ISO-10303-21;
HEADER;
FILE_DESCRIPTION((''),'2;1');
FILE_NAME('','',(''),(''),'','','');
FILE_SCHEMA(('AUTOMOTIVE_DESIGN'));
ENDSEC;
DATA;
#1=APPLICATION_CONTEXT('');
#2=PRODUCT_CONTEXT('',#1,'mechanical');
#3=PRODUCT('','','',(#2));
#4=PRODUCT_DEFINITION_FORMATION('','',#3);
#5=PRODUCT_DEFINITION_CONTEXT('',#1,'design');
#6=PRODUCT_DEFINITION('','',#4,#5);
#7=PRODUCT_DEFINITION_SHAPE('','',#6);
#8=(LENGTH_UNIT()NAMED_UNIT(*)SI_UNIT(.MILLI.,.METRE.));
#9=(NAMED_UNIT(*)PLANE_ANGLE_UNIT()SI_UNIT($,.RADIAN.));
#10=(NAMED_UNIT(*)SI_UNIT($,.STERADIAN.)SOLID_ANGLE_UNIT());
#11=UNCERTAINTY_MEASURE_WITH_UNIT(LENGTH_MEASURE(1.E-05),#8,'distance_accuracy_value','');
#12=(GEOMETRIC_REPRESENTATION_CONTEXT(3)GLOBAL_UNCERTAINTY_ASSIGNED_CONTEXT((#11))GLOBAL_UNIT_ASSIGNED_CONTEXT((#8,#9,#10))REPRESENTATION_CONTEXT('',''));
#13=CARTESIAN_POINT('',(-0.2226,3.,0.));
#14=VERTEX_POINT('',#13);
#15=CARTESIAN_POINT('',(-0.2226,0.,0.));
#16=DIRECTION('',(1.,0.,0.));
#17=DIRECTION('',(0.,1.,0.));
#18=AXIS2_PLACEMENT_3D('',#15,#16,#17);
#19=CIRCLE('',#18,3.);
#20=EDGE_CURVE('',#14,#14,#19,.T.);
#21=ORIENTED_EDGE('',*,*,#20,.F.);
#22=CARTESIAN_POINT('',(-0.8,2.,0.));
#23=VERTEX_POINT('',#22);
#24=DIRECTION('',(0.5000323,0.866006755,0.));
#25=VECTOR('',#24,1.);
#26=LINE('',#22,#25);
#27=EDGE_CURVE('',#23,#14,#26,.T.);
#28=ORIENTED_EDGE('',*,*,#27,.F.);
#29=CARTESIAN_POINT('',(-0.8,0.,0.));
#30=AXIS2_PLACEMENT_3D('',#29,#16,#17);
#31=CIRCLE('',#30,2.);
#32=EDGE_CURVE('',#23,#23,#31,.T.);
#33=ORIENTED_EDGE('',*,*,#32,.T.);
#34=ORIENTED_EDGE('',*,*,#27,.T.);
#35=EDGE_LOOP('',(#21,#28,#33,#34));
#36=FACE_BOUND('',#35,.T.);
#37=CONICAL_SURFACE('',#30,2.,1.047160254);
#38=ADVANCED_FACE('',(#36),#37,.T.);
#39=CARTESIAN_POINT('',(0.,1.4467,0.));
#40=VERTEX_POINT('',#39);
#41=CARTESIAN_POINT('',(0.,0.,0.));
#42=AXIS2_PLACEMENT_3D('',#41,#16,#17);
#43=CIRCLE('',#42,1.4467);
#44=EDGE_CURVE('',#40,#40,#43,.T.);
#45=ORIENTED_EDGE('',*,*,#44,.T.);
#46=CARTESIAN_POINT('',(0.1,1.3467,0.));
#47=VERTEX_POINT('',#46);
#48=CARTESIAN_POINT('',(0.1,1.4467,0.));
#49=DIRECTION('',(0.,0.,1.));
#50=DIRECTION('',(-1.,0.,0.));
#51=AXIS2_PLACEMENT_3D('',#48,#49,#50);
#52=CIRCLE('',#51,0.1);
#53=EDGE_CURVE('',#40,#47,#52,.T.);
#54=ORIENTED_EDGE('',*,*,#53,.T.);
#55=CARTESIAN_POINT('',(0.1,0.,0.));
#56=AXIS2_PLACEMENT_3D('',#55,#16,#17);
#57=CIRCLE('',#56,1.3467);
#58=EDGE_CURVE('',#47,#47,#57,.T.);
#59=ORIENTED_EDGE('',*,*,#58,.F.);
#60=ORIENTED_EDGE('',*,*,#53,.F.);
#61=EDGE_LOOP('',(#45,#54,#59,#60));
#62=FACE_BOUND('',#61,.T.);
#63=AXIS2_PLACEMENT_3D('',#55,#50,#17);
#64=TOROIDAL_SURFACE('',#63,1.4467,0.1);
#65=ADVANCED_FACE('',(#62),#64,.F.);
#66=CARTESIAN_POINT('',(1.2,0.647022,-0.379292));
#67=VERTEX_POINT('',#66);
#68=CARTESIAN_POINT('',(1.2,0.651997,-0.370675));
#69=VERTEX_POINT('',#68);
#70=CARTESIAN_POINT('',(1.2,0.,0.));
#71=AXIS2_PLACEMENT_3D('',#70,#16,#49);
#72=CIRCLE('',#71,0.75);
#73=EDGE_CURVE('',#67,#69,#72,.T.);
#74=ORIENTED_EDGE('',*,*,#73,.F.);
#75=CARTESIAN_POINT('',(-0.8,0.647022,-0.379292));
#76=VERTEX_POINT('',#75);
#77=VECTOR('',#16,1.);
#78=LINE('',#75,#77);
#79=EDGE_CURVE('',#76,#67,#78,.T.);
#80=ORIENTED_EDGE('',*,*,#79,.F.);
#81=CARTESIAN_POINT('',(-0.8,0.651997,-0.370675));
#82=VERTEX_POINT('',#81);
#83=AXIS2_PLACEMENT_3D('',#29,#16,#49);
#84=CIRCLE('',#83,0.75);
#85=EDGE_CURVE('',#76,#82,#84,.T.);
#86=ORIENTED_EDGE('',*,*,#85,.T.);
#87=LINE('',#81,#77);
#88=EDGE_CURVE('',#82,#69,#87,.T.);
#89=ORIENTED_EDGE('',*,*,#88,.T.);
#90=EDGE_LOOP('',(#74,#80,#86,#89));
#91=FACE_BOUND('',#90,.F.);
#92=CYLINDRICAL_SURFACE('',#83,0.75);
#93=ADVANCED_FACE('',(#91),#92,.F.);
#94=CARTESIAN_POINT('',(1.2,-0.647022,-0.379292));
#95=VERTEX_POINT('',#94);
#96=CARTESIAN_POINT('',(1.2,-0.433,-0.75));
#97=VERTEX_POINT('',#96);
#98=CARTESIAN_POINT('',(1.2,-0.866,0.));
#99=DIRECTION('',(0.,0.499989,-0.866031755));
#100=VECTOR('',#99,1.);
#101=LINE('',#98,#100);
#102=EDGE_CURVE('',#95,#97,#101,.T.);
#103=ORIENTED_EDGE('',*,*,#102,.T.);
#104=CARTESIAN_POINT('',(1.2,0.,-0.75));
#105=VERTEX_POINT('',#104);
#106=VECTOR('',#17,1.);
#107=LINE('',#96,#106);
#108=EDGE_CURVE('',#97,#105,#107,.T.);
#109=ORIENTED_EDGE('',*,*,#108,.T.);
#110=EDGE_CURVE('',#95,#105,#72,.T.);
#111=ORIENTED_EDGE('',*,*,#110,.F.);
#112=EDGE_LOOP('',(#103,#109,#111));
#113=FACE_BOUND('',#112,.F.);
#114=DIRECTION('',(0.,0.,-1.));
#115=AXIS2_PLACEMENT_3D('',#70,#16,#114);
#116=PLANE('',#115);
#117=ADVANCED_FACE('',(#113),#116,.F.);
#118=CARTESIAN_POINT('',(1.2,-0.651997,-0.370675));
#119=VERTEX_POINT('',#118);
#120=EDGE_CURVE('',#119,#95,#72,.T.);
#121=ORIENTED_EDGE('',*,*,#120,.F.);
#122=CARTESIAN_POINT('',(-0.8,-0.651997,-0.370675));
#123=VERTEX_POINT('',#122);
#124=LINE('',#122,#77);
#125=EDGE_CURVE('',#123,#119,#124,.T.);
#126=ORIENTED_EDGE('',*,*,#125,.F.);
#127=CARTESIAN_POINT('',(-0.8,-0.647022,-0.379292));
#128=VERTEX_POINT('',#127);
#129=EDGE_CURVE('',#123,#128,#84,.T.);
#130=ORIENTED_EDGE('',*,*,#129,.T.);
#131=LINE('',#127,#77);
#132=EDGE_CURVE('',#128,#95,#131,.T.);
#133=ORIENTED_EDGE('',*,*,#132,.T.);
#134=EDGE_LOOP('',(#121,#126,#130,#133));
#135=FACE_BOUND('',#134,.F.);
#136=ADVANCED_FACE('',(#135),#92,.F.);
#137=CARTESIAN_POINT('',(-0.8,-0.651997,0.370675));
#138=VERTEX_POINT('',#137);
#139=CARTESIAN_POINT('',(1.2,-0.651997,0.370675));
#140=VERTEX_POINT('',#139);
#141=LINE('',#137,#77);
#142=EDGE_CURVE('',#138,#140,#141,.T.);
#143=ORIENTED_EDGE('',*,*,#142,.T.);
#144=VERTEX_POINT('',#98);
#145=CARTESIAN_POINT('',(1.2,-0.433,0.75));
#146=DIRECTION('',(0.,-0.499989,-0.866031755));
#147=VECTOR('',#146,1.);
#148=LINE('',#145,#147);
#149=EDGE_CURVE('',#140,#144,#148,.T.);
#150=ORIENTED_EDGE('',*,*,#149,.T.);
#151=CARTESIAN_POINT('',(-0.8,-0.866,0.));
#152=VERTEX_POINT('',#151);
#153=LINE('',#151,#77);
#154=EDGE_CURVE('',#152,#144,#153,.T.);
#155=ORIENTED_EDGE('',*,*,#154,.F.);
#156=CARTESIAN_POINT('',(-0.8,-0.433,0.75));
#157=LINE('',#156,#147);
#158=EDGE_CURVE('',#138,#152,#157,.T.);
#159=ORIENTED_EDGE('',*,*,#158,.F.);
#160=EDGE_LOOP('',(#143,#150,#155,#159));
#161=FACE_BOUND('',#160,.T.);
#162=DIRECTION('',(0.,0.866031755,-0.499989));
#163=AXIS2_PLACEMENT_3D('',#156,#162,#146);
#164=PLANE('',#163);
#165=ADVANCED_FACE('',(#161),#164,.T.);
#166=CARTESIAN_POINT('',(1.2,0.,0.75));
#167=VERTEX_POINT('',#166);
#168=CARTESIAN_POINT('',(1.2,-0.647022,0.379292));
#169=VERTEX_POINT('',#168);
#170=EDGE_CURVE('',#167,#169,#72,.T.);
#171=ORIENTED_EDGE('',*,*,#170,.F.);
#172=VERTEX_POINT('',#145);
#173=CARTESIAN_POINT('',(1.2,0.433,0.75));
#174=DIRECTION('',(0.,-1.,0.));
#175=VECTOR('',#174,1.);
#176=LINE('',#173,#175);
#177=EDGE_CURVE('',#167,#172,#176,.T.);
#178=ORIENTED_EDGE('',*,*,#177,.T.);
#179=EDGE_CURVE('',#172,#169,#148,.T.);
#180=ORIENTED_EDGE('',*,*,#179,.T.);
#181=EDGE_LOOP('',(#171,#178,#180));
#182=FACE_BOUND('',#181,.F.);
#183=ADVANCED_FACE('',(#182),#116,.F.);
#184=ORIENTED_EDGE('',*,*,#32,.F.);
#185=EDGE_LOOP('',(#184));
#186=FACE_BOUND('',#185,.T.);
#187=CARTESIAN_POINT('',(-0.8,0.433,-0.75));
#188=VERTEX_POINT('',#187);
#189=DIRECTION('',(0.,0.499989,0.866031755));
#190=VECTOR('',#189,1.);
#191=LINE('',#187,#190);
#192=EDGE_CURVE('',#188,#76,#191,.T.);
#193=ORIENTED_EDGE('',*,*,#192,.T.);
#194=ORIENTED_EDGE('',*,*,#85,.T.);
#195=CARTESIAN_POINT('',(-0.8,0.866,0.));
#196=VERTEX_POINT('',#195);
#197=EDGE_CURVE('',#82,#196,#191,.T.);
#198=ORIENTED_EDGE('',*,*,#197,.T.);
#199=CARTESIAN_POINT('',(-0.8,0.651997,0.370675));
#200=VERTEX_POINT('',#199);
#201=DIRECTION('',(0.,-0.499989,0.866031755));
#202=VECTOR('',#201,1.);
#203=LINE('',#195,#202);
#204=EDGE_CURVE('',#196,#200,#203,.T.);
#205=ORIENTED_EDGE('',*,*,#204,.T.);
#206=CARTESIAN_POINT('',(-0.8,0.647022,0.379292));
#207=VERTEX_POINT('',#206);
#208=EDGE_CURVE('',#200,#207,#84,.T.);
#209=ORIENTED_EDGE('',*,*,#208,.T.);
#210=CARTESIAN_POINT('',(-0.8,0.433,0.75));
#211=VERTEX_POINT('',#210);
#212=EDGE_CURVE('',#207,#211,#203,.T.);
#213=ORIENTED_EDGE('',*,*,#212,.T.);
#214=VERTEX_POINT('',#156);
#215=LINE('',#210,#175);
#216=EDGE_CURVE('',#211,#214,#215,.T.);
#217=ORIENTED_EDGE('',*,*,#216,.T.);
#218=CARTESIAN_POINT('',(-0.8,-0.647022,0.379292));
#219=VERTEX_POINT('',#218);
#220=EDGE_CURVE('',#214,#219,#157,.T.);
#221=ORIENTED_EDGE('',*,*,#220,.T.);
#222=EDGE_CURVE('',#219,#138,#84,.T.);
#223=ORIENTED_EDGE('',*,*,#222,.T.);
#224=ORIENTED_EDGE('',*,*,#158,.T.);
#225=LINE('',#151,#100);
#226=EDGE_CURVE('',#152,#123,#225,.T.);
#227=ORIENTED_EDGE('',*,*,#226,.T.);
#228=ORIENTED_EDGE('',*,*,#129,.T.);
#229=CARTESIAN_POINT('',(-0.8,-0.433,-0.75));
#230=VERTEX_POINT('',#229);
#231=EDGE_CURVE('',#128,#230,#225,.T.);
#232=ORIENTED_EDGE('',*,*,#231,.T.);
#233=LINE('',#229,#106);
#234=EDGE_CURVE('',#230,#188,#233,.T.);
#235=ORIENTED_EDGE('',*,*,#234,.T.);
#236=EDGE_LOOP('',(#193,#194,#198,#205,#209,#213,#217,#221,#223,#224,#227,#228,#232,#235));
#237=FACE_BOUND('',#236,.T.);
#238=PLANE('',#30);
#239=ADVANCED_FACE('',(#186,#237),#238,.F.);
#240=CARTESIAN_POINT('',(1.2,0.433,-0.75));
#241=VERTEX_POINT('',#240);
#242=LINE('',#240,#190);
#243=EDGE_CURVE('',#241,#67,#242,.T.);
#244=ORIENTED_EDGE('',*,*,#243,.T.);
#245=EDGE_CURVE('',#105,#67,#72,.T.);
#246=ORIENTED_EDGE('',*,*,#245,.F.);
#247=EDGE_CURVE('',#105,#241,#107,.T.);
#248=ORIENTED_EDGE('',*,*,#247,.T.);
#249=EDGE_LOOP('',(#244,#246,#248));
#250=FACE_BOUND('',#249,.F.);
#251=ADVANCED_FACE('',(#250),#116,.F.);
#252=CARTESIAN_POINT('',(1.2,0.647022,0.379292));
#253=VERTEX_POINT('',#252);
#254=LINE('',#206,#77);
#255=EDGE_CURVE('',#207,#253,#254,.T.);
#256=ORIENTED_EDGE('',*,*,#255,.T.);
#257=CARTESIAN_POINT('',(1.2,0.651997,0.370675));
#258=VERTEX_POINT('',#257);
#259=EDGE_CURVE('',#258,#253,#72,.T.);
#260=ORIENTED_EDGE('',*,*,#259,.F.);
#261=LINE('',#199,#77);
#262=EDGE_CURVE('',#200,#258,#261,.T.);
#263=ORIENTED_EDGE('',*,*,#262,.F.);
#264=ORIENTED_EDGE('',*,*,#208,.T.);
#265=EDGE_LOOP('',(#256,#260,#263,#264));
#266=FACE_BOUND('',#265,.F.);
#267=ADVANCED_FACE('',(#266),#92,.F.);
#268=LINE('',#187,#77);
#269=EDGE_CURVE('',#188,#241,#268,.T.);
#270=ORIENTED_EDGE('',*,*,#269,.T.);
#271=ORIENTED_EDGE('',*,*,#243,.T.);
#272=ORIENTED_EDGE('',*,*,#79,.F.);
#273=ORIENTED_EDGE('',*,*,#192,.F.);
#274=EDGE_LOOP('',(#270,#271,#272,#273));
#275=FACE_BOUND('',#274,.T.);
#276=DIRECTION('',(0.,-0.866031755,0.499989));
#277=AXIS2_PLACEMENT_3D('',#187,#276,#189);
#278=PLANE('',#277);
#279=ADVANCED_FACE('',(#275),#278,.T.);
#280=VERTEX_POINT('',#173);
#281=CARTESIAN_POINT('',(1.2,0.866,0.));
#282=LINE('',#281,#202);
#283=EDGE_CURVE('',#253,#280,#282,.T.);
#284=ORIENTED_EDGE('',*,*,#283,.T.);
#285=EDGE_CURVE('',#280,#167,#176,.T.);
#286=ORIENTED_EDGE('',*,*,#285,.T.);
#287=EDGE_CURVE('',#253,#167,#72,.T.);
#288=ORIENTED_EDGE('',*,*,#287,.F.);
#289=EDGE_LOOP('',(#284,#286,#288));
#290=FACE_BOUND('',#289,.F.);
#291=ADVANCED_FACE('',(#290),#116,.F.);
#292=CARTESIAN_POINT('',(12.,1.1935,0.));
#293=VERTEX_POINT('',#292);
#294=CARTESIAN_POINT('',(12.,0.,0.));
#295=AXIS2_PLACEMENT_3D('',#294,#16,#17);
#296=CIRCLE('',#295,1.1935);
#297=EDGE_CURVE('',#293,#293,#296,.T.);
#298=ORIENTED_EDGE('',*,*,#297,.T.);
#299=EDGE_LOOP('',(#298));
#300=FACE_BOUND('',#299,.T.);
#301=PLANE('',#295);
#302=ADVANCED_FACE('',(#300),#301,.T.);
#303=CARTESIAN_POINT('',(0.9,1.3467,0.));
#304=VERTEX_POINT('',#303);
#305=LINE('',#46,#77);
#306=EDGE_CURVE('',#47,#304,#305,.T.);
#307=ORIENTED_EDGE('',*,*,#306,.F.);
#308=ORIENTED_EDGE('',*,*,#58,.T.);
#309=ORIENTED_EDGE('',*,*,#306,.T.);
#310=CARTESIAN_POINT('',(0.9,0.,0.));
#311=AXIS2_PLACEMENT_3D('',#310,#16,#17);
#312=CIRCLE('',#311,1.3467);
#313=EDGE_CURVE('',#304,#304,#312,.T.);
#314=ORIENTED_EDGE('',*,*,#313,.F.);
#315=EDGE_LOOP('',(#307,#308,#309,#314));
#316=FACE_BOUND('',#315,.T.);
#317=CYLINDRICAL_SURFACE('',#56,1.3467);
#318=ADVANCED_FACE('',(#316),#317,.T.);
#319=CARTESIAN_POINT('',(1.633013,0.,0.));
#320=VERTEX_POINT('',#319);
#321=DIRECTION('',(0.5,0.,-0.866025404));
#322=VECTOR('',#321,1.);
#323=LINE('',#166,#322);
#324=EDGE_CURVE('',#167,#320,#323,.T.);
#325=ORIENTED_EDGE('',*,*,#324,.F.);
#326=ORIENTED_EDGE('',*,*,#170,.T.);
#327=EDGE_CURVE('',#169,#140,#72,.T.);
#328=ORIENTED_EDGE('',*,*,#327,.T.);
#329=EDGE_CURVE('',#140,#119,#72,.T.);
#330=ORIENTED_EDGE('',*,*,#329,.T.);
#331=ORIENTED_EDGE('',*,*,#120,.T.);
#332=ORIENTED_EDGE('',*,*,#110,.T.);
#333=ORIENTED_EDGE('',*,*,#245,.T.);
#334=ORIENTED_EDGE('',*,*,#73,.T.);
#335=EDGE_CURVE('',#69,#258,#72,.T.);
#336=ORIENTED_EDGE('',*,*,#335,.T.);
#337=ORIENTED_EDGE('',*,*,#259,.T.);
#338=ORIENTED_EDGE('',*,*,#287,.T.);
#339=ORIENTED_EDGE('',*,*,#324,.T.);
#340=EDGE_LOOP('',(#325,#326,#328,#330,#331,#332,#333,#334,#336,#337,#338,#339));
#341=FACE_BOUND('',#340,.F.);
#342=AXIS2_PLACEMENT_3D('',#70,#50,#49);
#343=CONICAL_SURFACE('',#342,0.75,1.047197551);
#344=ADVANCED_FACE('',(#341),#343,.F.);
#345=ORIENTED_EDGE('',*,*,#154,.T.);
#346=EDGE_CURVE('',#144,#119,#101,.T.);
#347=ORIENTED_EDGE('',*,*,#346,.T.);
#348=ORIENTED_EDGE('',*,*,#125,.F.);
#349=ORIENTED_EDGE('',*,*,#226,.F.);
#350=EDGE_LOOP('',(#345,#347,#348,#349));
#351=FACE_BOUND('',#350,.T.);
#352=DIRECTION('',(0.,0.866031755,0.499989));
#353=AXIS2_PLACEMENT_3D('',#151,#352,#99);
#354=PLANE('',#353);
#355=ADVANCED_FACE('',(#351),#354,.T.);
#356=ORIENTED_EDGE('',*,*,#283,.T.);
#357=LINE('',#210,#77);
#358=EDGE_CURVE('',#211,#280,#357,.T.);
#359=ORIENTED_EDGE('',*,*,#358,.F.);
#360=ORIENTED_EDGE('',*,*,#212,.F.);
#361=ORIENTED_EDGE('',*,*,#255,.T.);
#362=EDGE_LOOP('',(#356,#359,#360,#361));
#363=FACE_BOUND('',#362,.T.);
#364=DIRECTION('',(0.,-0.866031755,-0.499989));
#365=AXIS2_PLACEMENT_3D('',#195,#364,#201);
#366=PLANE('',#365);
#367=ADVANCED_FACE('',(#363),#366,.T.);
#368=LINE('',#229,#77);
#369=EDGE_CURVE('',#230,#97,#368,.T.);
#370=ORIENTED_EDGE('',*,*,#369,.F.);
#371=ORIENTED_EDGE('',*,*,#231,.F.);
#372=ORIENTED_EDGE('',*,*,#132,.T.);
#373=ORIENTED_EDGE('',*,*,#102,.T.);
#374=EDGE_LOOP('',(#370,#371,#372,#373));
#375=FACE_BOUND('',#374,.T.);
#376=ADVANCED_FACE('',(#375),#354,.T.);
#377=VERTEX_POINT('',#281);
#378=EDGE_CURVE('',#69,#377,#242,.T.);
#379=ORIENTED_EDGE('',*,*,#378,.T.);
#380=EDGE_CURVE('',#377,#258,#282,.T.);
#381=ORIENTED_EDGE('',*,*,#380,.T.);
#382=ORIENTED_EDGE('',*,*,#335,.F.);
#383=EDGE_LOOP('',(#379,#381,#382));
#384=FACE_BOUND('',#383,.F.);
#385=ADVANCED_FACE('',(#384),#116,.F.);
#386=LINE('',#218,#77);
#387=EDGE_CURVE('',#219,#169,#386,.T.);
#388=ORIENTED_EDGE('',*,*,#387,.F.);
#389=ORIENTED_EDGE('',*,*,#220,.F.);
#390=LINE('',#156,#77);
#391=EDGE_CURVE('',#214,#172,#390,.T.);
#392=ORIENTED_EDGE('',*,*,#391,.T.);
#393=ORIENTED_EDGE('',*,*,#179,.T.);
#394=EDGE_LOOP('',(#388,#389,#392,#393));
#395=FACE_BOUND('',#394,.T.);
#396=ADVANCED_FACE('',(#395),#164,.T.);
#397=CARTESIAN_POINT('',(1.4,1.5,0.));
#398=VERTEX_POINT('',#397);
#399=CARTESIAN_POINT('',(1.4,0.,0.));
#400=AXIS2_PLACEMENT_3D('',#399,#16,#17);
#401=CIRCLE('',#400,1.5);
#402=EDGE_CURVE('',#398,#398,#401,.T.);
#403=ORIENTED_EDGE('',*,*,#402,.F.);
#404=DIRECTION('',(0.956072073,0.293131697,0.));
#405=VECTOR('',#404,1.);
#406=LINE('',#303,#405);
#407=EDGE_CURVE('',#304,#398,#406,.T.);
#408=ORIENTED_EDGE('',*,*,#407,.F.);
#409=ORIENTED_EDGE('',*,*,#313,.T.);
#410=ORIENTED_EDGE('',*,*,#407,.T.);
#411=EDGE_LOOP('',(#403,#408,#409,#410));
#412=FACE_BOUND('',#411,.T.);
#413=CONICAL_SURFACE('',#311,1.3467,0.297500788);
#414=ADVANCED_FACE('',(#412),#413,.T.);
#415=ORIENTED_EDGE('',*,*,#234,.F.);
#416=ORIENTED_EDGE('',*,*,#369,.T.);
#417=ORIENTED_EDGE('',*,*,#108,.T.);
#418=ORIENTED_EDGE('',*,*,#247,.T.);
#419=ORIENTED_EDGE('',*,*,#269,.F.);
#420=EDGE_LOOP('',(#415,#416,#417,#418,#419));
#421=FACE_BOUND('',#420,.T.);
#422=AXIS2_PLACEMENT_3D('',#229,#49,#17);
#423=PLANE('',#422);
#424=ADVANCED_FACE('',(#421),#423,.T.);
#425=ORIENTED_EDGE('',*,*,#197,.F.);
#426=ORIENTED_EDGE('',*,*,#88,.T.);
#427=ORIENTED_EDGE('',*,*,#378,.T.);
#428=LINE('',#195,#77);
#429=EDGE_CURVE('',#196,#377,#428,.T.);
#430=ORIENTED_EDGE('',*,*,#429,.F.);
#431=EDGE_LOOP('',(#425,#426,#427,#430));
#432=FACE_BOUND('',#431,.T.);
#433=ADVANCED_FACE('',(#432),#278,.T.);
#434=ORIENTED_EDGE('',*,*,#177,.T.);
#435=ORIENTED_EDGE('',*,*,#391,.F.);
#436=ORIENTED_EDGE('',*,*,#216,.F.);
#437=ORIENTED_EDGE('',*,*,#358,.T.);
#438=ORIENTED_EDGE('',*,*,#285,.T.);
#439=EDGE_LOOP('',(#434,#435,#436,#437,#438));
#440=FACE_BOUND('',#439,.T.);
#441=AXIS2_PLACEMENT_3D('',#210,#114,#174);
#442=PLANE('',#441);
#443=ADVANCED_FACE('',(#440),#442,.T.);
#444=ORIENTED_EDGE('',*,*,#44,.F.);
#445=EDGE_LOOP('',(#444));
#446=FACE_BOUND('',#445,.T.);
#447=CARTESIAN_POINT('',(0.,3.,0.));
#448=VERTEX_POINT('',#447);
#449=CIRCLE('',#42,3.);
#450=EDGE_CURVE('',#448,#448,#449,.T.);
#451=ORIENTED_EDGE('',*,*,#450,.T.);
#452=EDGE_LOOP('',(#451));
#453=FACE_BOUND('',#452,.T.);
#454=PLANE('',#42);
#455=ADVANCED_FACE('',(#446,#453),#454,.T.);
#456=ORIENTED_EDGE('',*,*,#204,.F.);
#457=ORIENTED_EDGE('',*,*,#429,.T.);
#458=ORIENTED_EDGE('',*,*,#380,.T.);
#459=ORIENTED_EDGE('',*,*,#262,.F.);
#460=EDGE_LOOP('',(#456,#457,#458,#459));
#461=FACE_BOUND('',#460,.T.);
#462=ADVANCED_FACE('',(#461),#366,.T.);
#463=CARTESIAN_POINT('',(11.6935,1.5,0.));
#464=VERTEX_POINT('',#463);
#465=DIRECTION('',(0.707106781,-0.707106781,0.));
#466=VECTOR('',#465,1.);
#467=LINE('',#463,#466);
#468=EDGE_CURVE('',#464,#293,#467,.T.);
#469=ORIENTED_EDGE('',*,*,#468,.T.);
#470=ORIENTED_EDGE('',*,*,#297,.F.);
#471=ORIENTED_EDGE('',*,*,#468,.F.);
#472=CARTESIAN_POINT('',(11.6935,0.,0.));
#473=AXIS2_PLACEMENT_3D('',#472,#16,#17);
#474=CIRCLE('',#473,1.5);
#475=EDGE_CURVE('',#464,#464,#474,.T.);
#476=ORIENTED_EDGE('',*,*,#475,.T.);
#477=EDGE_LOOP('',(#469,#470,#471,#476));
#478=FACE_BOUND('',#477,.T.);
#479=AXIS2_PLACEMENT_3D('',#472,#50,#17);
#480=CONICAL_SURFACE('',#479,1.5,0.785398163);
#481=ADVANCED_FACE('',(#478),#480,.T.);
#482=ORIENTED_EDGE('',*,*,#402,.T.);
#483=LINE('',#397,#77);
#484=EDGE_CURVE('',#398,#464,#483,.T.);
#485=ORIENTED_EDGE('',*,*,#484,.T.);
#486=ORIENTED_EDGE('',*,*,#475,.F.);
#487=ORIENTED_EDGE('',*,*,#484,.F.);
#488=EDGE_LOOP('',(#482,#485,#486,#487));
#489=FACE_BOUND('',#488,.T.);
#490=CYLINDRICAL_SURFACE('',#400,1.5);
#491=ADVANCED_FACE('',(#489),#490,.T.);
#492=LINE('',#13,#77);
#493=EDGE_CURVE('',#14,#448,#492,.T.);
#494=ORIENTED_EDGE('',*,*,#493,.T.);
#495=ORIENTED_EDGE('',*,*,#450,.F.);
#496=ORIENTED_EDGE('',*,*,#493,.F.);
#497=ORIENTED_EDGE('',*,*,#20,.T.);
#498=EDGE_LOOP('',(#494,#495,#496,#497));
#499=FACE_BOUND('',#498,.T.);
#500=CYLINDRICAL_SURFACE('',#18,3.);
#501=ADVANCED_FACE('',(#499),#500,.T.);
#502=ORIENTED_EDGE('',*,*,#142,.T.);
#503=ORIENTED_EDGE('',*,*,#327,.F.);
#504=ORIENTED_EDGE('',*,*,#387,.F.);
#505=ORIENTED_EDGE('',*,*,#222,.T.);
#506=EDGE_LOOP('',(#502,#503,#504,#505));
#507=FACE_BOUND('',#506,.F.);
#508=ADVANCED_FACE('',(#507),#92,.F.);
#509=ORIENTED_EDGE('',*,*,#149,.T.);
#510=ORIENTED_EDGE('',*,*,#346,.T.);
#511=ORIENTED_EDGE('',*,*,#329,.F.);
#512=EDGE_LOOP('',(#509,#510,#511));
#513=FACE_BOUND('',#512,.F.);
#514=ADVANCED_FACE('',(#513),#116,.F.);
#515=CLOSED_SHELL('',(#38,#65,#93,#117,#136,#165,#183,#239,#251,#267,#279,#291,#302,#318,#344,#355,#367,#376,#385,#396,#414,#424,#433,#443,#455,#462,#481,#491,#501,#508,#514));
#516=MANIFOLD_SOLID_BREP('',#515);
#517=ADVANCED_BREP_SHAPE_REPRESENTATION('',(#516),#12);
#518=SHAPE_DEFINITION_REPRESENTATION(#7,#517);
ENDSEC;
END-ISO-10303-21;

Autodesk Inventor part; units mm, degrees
ref_plane "YZ Plane" through (0, 0, 0) normal (1, 0, 0) x (0, 1, 0)
ref_plane "XZ Plane" through (0, 0, 0) normal (0, 1, 0) x (-1, 0, 0)
ref_plane "XY Plane" through (0, 0, 0) normal (0, 0, 1) x (1, 0, 0)
sketch "Sketch_1" plane through (0, 0, 0) normal (0, 0, 1) x (1, 0, 0)
  line L0 (12, 0) -> (-0.8, 0)
  line L1 (-0.8, 0) -> (-0.8, 2)
  line L2 (-0.8, 2) -> (-0.2226, 3)
  line L3 (-0.2226, 3) -> (0, 3)
  line L4 (0, 3) -> (0, 1.4467)
  arc A0 (0, 1.4467) -> (0.1, 1.3467) centre (0.1, 1.4467) ccw
  line L5 (0.1, 1.3467) -> (0.9, 1.3467)
  line L6 (0.9, 1.3467) -> (1.4, 1.5)
  line L7 (1.4, 1.5) -> (11.6935, 1.5)
  line L8 (11.6935, 1.5) -> (12, 1.1935)
  line L9 (12, 1.1935) -> (12, 0)
  line L10 (12, 0) -> (-0.8, 0)
revolve "Revolution1" add sketch "Sketch_1" angle 360 about axis through (12, 0, 0) along (1, 0, 0)
thread "Thread1" size "M3x0.5" class "6g" standard "ISO Metric profile" full length
sketch "Sketch2" plane through (-0.8, 0, 0) normal (-1, 0, 0) x (0, 0, 1)
  point P0 (0, 0)
hole "Hole1" at (-0.8, 0, 0) direction (1, 0, 0) diameter 1.5 depth 2 tip angle 120
sketch "Sketch_3" plane through (-0.8, 0, 0) normal (1, 0, 0) x (0, 0, -1)
  line L0 (-0.75, -0.433) -> (0, -0.866)
  line L1 (0, -0.866) -> (0.75, -0.433)
  line L2 (0.75, -0.433) -> (0.75, 0.433)
  line L3 (0.75, 0.433) -> (0, 0.866)
  line L4 (0, 0.866) -> (-0.75, 0.433)
  line L5 (-0.75, 0.433) -> (-0.75, -0.433)
extrude "Extrusion1" cut sketch "Sketch_3" along normal blind 2
properties part number "CBSTNR3-12" material "鋼、炭素鋼"
